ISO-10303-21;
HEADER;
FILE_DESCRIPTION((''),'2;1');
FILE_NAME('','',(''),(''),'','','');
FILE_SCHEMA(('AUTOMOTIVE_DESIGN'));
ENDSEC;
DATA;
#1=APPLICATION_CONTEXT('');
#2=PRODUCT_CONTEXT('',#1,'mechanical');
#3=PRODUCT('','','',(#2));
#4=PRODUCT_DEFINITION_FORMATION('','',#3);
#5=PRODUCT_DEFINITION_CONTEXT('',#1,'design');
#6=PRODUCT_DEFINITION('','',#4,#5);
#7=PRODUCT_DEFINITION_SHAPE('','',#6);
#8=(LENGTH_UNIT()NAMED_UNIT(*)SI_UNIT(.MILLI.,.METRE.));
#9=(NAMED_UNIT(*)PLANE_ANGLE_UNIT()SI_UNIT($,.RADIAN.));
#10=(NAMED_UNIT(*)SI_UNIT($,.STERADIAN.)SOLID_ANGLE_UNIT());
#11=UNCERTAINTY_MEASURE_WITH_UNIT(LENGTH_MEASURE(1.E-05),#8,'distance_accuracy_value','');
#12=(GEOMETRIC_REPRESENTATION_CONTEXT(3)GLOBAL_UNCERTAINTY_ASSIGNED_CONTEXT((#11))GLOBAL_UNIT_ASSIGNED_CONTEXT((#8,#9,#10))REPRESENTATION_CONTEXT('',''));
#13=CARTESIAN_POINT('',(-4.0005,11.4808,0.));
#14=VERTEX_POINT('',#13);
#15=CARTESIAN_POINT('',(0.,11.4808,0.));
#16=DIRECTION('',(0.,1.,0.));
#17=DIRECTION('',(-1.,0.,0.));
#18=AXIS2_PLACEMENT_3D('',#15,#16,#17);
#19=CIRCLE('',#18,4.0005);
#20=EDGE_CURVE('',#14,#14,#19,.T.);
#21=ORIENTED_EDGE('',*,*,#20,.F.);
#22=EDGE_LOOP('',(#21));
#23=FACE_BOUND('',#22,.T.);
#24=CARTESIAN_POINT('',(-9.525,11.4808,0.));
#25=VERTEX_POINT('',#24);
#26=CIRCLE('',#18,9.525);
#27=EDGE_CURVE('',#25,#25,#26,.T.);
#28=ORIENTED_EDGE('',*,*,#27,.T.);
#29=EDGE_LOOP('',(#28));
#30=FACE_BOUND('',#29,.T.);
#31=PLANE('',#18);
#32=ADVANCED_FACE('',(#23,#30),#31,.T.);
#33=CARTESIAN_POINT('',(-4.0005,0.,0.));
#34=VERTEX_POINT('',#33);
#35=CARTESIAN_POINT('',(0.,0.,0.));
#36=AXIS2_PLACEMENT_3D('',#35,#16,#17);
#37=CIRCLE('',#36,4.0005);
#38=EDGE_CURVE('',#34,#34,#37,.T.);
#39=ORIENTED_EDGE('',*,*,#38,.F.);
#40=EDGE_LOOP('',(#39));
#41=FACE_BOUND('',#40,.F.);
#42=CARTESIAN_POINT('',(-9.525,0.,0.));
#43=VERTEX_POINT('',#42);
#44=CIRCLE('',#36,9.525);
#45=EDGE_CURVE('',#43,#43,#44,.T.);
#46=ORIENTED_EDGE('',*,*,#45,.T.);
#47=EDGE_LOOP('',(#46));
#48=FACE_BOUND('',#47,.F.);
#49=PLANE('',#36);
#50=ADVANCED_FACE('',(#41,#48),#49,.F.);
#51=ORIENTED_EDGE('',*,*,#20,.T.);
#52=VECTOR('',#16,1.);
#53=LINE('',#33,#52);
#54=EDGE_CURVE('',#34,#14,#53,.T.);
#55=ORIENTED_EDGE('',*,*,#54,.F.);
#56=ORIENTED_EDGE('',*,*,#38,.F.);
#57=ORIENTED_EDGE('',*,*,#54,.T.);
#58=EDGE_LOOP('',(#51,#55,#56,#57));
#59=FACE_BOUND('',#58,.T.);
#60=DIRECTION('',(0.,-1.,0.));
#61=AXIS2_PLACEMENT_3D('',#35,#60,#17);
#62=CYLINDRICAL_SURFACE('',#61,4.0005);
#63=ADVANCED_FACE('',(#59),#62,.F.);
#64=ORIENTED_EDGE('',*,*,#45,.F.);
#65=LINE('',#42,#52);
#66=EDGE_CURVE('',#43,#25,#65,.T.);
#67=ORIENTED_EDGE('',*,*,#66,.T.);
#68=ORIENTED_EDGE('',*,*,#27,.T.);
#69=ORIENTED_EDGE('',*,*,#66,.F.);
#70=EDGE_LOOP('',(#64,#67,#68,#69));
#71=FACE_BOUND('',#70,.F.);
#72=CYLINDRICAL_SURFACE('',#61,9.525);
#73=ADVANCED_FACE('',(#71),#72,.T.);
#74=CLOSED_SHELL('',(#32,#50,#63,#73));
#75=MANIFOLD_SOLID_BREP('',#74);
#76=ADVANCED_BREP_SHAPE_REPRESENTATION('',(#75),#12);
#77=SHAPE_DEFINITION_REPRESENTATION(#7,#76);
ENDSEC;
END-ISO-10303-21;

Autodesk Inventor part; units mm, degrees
ref_plane "YZ Plane" through (0, 0, 0) normal (1, 0, 0) x (0, 1, 0)
ref_plane "XZ Plane" through (0, 0, 0) normal (0, 1, 0) x (-1, 0, 0)
ref_plane "XY Plane" through (0, 0, 0) normal (0, 0, 1) x (1, 0, 0)
sketch "Sketch1" plane through (0, 0, 0) normal (0, 1, 0) x (-1, 0, 0)
  circle A0 centre (0, 0) radius 4.0005
  circle A1 centre (0, 0) radius 9.525
  dimension "d0" = 8.001
  dimension "d1" = 19.05
extrude "Extrusion1" add sketch "Sketch1" along normal blind 11.4808
properties part number "SHOT_020_Spacer6" material "Aluminum 6061"
